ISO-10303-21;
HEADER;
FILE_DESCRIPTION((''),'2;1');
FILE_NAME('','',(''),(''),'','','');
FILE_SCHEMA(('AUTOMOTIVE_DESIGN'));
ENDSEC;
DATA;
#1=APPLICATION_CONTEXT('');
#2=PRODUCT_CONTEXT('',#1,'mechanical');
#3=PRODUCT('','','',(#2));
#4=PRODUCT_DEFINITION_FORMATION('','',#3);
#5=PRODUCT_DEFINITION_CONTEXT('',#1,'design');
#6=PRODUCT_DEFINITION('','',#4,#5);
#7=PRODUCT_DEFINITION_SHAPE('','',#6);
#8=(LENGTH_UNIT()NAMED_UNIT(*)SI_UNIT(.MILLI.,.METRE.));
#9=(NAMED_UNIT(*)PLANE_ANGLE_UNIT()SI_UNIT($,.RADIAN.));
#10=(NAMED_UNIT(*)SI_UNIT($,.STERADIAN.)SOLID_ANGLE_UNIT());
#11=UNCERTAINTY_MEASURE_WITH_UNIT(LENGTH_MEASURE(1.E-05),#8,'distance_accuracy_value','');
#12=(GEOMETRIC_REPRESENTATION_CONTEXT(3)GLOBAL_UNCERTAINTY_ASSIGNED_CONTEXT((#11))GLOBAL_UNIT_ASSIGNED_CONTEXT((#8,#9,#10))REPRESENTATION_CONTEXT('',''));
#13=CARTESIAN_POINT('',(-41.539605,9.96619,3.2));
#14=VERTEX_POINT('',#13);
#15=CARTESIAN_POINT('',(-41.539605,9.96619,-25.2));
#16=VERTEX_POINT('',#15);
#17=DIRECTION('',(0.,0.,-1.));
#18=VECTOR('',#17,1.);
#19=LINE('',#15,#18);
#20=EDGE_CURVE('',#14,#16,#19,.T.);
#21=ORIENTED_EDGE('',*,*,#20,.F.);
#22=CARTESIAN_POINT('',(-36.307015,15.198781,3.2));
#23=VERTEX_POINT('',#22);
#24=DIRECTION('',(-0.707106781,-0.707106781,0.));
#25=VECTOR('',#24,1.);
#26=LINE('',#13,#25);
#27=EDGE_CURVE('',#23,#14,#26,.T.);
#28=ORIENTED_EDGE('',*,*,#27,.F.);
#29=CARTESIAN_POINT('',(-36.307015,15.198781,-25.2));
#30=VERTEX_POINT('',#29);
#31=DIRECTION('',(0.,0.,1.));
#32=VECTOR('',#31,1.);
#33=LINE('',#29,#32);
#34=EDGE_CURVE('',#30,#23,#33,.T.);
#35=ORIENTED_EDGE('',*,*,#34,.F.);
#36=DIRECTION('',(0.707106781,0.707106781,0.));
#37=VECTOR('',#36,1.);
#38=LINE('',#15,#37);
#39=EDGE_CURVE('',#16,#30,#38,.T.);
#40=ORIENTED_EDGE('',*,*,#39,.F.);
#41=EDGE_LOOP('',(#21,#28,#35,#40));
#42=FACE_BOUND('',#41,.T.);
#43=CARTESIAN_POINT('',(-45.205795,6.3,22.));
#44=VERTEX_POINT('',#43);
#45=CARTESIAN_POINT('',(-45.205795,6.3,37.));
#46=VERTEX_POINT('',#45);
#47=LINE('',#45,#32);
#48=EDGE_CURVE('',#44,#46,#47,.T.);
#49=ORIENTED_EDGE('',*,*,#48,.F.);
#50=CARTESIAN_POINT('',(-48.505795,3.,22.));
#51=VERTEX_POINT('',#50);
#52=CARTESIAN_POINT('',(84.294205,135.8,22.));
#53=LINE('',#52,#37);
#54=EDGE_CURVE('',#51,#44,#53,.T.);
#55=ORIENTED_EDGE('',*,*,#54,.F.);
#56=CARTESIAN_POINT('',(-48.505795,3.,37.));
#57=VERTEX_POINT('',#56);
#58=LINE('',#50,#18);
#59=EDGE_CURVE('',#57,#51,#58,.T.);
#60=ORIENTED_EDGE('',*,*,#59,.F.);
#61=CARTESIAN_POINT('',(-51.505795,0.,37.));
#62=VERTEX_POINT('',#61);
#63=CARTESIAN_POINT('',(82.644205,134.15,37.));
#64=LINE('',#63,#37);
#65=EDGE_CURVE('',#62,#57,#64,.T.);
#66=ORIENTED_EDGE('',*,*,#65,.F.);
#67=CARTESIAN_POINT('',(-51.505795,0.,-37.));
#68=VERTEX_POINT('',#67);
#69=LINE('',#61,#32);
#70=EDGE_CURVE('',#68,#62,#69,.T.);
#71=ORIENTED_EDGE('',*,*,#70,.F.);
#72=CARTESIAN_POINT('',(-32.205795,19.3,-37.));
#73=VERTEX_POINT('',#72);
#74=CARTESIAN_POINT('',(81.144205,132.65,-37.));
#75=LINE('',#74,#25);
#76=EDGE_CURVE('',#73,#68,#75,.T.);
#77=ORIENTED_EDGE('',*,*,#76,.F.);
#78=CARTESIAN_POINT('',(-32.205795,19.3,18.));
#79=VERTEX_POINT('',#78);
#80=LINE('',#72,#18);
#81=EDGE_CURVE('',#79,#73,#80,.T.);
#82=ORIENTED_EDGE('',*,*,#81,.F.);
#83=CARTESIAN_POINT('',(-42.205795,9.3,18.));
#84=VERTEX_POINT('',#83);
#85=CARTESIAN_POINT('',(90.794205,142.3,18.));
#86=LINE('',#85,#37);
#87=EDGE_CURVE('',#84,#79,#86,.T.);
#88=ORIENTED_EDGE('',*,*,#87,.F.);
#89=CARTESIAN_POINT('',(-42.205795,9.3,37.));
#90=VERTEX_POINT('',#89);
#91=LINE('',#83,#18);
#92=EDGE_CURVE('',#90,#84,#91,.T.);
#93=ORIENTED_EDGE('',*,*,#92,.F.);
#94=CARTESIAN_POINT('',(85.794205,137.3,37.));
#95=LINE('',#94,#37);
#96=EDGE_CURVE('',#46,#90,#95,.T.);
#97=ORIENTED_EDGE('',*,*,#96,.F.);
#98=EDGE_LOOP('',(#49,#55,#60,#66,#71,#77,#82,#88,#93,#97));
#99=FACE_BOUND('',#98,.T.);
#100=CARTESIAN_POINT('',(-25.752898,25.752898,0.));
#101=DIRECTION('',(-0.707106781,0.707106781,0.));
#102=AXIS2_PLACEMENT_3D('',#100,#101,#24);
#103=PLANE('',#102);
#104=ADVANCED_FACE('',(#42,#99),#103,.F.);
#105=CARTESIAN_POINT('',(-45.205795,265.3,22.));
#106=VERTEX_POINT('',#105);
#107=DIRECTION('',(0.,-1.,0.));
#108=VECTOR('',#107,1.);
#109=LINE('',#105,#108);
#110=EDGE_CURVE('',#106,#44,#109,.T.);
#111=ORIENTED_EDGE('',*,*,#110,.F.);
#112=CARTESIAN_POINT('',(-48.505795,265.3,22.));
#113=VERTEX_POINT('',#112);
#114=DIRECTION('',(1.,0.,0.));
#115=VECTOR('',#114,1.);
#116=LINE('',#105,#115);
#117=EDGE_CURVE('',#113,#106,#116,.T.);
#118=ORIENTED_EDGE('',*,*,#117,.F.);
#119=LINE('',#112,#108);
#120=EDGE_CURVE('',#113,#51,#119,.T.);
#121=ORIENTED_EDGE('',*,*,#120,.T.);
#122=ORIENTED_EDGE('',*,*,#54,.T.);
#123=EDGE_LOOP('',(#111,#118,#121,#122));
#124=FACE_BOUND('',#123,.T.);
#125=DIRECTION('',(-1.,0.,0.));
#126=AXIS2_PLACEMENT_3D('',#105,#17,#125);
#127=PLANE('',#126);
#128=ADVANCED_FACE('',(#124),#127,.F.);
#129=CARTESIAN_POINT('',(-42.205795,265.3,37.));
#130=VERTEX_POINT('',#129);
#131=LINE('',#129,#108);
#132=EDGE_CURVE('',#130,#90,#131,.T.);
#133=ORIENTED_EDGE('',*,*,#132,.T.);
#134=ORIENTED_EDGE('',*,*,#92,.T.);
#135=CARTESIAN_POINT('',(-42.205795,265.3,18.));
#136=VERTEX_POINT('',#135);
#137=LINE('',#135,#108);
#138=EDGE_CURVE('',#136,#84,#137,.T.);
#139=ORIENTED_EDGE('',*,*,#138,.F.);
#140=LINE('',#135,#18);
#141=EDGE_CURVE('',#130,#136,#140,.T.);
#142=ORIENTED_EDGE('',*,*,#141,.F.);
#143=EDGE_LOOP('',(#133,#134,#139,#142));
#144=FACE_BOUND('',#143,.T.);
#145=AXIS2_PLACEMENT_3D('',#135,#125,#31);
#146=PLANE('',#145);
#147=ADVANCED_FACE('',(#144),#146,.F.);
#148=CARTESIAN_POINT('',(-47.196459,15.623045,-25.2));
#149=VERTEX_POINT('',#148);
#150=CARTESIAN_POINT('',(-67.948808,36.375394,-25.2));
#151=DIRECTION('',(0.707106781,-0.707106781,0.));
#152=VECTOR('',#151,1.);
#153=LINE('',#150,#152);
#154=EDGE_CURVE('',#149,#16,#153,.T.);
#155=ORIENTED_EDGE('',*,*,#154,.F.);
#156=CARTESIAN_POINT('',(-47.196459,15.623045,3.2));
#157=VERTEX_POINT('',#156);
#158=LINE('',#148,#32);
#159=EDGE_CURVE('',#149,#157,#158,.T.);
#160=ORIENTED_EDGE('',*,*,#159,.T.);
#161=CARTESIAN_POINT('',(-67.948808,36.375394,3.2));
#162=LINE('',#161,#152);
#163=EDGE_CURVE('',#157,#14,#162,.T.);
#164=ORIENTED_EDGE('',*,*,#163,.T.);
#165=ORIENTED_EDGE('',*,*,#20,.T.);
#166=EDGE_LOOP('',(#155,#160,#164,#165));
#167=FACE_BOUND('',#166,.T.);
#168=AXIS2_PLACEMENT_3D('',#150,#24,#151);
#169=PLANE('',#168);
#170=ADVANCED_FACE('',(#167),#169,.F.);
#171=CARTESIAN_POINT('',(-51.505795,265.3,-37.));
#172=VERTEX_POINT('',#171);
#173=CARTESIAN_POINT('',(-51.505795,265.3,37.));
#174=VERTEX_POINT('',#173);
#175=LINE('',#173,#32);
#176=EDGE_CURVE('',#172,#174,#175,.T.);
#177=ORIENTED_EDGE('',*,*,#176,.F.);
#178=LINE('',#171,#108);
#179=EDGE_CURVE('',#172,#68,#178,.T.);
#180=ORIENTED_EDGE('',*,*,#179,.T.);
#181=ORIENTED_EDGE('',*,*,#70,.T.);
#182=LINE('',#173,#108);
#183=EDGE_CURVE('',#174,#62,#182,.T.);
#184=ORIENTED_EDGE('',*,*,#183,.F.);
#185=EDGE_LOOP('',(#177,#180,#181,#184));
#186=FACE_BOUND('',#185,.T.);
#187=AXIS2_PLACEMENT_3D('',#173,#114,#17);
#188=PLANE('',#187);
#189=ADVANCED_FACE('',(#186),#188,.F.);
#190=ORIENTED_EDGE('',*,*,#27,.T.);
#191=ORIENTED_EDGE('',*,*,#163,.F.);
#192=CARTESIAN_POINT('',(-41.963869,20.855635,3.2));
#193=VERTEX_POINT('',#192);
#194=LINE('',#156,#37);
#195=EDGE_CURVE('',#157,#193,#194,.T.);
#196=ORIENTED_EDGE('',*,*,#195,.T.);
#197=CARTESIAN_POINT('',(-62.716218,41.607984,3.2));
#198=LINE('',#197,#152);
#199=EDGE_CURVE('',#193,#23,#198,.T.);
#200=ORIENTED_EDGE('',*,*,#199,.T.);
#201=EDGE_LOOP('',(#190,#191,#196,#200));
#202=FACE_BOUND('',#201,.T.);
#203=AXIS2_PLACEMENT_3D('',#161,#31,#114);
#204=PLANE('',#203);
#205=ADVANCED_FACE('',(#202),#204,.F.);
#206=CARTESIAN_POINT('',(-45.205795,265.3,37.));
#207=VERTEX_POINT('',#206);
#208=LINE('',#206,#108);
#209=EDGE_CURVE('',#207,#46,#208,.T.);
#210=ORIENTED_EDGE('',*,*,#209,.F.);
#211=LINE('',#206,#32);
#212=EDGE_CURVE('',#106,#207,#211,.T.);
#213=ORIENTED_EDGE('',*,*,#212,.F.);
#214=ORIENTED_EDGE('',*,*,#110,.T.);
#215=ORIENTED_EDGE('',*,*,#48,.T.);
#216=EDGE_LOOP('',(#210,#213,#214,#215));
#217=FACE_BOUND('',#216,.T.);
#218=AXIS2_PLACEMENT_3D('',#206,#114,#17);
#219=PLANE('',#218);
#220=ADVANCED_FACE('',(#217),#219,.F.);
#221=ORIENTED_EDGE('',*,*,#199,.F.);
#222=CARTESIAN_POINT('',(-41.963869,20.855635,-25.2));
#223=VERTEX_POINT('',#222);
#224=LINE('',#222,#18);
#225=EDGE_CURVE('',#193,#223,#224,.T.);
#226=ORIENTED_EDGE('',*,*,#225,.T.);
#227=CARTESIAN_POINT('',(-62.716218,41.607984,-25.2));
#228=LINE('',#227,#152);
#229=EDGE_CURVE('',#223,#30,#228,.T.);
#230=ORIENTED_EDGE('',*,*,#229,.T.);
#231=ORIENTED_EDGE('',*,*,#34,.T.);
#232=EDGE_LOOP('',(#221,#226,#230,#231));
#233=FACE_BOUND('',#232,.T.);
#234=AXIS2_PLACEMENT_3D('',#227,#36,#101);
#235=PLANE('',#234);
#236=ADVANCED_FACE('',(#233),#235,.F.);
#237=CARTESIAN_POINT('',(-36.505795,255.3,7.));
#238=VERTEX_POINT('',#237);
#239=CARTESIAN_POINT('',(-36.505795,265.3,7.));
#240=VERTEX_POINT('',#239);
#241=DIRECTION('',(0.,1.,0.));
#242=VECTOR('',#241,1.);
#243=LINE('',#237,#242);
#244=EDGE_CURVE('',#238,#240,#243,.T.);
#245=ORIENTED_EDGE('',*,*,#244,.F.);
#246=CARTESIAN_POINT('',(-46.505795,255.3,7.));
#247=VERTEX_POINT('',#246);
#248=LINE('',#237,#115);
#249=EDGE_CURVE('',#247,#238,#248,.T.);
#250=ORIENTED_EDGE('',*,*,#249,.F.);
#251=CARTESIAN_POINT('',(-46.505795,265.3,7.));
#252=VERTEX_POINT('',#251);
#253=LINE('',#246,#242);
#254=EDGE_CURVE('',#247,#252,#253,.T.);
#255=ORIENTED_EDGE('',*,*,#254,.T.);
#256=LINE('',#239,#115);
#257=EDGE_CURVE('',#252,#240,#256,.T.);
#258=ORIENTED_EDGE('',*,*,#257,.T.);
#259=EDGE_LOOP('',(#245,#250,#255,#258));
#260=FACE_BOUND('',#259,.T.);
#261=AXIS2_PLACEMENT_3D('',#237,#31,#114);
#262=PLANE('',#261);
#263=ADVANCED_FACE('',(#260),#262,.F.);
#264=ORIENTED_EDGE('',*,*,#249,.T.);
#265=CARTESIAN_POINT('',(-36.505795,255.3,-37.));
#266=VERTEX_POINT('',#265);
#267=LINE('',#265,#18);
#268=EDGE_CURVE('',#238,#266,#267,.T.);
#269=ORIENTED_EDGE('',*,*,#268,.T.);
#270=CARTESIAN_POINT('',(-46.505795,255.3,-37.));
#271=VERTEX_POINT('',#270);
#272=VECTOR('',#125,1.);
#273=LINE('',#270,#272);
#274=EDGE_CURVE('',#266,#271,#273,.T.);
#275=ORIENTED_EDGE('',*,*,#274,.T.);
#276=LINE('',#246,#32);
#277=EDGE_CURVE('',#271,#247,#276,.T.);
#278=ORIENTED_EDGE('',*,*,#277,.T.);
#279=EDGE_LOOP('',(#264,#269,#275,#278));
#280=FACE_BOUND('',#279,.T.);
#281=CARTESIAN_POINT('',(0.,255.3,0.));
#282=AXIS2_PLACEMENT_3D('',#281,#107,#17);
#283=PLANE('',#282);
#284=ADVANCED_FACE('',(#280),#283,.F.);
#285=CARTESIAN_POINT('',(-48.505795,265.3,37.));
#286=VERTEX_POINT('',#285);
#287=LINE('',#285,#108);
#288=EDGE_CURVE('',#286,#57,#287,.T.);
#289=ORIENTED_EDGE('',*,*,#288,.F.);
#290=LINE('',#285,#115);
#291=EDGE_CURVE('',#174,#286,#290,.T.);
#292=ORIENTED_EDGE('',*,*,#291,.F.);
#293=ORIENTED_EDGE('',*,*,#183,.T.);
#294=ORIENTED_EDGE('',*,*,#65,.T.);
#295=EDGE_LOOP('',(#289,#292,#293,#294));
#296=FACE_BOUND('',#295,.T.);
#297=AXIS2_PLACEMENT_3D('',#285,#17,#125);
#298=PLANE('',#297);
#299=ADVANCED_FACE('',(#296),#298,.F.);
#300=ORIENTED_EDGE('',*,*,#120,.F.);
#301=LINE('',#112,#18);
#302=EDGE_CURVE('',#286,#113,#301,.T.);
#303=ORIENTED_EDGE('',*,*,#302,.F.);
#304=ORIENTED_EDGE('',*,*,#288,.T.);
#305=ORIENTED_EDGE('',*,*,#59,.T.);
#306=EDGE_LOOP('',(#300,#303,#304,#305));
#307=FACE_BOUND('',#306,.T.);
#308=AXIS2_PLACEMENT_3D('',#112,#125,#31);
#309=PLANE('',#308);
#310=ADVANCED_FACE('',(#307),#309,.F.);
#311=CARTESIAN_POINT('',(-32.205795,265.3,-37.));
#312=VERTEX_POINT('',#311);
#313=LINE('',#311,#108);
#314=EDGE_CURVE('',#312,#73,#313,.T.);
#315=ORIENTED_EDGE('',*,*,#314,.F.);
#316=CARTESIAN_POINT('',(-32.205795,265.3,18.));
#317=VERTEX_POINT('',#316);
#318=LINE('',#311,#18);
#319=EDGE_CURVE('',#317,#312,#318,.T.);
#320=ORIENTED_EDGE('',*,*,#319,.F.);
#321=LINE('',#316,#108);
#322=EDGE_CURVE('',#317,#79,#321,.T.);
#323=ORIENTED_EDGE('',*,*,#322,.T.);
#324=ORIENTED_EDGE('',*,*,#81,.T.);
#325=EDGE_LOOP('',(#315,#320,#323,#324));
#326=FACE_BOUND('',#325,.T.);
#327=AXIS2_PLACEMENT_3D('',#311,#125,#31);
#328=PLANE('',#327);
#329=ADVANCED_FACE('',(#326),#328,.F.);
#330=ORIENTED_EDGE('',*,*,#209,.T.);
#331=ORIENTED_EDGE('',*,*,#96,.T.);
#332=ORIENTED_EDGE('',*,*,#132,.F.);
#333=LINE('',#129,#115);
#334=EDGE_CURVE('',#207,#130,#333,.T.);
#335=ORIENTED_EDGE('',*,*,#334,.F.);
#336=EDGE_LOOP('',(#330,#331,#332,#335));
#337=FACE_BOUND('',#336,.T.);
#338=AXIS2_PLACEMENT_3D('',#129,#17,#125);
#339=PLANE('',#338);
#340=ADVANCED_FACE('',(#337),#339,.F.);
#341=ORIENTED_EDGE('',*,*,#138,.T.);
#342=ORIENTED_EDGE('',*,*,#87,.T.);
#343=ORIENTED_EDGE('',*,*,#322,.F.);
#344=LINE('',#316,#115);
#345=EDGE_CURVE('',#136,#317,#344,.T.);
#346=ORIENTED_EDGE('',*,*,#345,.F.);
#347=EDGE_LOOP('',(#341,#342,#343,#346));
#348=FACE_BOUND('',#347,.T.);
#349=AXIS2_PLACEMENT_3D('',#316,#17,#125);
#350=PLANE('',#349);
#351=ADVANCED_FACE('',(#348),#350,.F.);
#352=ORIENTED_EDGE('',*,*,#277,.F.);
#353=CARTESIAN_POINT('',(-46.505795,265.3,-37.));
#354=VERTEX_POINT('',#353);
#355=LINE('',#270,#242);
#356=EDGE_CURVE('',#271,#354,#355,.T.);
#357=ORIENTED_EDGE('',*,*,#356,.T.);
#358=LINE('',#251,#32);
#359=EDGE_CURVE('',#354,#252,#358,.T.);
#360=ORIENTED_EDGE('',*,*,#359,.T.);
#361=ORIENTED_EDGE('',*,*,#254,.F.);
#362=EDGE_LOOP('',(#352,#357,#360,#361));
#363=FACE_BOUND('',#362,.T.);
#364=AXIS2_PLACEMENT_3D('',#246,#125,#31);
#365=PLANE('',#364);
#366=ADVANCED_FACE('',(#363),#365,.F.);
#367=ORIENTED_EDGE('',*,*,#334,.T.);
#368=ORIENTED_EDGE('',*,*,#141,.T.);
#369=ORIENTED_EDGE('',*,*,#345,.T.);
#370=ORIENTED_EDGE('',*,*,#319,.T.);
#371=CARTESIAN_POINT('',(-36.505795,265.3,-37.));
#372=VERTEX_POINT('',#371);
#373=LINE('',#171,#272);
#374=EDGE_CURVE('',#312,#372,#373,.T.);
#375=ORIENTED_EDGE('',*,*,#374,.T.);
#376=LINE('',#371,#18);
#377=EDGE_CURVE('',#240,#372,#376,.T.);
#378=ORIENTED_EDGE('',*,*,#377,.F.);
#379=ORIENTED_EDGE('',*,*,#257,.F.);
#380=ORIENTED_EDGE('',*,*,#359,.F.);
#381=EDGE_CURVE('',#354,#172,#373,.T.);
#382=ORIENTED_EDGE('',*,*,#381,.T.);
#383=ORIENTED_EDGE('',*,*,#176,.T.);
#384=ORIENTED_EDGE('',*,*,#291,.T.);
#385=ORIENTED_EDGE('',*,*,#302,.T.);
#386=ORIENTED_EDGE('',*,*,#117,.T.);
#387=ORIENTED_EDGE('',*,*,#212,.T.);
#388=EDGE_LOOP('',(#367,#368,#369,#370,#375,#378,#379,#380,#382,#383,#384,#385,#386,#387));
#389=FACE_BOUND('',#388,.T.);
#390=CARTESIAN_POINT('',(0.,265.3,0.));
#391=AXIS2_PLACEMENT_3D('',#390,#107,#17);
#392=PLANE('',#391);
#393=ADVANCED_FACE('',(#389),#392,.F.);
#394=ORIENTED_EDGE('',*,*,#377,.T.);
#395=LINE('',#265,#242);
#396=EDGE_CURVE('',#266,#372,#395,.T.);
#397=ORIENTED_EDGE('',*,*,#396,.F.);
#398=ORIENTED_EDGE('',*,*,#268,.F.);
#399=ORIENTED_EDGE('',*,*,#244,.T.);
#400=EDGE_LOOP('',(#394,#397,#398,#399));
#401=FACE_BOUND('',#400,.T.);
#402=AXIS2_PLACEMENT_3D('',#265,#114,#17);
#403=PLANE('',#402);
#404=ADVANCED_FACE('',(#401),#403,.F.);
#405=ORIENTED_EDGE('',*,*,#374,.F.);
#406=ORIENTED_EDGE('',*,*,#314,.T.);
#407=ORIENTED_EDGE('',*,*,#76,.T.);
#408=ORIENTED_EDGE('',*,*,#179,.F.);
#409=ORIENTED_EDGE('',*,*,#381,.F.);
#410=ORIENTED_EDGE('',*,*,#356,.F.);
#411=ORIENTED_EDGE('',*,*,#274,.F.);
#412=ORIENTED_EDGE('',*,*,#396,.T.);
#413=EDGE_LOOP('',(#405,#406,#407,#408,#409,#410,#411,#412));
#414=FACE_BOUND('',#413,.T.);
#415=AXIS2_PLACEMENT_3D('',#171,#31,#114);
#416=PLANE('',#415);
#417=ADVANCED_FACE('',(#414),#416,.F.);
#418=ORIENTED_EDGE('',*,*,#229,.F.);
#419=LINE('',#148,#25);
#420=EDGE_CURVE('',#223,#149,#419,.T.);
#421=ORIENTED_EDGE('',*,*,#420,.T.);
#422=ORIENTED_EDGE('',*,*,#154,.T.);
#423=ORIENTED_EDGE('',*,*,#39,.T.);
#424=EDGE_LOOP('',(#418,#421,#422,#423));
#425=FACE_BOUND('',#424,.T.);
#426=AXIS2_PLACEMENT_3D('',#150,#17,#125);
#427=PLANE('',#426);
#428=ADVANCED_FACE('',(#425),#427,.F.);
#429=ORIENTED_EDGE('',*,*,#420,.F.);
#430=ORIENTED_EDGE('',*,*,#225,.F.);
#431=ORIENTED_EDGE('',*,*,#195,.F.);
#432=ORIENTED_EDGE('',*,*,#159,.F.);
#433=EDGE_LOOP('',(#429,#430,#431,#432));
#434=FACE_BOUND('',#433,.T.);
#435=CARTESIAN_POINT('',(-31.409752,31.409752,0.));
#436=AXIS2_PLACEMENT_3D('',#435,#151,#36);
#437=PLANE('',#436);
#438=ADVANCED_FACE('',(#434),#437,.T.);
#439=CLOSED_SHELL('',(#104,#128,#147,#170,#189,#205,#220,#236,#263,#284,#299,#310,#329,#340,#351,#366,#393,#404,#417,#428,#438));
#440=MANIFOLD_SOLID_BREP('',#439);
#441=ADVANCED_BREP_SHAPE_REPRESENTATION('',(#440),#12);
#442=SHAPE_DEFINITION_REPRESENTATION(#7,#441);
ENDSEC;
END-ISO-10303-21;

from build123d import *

# Parameters (mm, degrees)
BOSS_EXTRUDE1_DEPTH = 265.3
SKETCH2_W           = 10
SKETCH2_H           = 44
CUT_EXTRUDE1_DEPTH  = 10
SKETCH3_W           = 271.149403365
SKETCH3_H           = 159.03985052
CUT_EXTRUDE2_DEPTH  = 31
SKETCH4_W           = 28
SKETCH4_H           = 7
CUT_EXTRUDE3_DEPTH  = 8
SKETCH5_W           = 28.4
SKETCH5_H           = 7.4
CUT_EXTRUDE4_DEPTH  = 8


with BuildPart() as part:
    # Sketch1 → Boss-Extrude1 (new body)
    with BuildSketch(Plane(origin=(0, 0, 0), x_dir=(1, 0, 0), z_dir=(0, 1, 0))):
        Polygon((-51.505795374, 37), (-32.205795374, 37), (-32.205795374, -18), (-42.205795374, -18), (-42.205795374, -37), (-45.205795374, -37), (-45.205795374, -22), (-48.505795374, -22), (-48.505795374, -37), (-51.505795374, -37), align=None)
    extrude(amount=BOSS_EXTRUDE1_DEPTH)

    # Sketch2 → Cut-Extrude1 (cut)
    with BuildSketch(Plane(origin=(0, 265.3, 0), x_dir=(1, 0, 0), z_dir=(0, 1, 0))):
        with Locations((-41.505795374, 15)):
            Rectangle(SKETCH2_W, SKETCH2_H)
    extrude(amount=-CUT_EXTRUDE1_DEPTH, mode=Mode.SUBTRACT)

    # Sketch3 → Cut-Extrude2 (cut)
    with BuildSketch(Plane(origin=(-25.752897687, 25.752897687, 0), x_dir=(0, 0, 1), z_dir=(0.7071067811865488, -0.7071067811865464, 0))):
        with Locations((3.075588753, 19.523863597)):
            Rectangle(SKETCH3_W, SKETCH3_H)
    extrude(amount=CUT_EXTRUDE2_DEPTH, mode=Mode.SUBTRACT)

    # Sketch4 → Cut-Extrude3 (cut)
    with BuildSketch(Plane(origin=(-25.752897687, 25.752897687, 0), x_dir=(0, 0, -1), z_dir=(0.7071067811865487, -0.7071067811865465, 0))):
        with Locations((11, -18.625775426)):
            Rectangle(SKETCH4_W, SKETCH4_H)
    extrude(amount=-CUT_EXTRUDE3_DEPTH, mode=Mode.SUBTRACT)

    # Sketch5 → Cut-Extrude4 (cut)
    with BuildSketch(Plane(origin=(-25.752897687, 25.752897687, 0), x_dir=(0, 0, -1), z_dir=(0.7071067811865487, -0.7071067811865465, 0))):
        with Locations((11, -18.625775426)):
            Rectangle(SKETCH5_W, SKETCH5_H)
    extrude(amount=-CUT_EXTRUDE4_DEPTH, mode=Mode.SUBTRACT)


solid = part.part
